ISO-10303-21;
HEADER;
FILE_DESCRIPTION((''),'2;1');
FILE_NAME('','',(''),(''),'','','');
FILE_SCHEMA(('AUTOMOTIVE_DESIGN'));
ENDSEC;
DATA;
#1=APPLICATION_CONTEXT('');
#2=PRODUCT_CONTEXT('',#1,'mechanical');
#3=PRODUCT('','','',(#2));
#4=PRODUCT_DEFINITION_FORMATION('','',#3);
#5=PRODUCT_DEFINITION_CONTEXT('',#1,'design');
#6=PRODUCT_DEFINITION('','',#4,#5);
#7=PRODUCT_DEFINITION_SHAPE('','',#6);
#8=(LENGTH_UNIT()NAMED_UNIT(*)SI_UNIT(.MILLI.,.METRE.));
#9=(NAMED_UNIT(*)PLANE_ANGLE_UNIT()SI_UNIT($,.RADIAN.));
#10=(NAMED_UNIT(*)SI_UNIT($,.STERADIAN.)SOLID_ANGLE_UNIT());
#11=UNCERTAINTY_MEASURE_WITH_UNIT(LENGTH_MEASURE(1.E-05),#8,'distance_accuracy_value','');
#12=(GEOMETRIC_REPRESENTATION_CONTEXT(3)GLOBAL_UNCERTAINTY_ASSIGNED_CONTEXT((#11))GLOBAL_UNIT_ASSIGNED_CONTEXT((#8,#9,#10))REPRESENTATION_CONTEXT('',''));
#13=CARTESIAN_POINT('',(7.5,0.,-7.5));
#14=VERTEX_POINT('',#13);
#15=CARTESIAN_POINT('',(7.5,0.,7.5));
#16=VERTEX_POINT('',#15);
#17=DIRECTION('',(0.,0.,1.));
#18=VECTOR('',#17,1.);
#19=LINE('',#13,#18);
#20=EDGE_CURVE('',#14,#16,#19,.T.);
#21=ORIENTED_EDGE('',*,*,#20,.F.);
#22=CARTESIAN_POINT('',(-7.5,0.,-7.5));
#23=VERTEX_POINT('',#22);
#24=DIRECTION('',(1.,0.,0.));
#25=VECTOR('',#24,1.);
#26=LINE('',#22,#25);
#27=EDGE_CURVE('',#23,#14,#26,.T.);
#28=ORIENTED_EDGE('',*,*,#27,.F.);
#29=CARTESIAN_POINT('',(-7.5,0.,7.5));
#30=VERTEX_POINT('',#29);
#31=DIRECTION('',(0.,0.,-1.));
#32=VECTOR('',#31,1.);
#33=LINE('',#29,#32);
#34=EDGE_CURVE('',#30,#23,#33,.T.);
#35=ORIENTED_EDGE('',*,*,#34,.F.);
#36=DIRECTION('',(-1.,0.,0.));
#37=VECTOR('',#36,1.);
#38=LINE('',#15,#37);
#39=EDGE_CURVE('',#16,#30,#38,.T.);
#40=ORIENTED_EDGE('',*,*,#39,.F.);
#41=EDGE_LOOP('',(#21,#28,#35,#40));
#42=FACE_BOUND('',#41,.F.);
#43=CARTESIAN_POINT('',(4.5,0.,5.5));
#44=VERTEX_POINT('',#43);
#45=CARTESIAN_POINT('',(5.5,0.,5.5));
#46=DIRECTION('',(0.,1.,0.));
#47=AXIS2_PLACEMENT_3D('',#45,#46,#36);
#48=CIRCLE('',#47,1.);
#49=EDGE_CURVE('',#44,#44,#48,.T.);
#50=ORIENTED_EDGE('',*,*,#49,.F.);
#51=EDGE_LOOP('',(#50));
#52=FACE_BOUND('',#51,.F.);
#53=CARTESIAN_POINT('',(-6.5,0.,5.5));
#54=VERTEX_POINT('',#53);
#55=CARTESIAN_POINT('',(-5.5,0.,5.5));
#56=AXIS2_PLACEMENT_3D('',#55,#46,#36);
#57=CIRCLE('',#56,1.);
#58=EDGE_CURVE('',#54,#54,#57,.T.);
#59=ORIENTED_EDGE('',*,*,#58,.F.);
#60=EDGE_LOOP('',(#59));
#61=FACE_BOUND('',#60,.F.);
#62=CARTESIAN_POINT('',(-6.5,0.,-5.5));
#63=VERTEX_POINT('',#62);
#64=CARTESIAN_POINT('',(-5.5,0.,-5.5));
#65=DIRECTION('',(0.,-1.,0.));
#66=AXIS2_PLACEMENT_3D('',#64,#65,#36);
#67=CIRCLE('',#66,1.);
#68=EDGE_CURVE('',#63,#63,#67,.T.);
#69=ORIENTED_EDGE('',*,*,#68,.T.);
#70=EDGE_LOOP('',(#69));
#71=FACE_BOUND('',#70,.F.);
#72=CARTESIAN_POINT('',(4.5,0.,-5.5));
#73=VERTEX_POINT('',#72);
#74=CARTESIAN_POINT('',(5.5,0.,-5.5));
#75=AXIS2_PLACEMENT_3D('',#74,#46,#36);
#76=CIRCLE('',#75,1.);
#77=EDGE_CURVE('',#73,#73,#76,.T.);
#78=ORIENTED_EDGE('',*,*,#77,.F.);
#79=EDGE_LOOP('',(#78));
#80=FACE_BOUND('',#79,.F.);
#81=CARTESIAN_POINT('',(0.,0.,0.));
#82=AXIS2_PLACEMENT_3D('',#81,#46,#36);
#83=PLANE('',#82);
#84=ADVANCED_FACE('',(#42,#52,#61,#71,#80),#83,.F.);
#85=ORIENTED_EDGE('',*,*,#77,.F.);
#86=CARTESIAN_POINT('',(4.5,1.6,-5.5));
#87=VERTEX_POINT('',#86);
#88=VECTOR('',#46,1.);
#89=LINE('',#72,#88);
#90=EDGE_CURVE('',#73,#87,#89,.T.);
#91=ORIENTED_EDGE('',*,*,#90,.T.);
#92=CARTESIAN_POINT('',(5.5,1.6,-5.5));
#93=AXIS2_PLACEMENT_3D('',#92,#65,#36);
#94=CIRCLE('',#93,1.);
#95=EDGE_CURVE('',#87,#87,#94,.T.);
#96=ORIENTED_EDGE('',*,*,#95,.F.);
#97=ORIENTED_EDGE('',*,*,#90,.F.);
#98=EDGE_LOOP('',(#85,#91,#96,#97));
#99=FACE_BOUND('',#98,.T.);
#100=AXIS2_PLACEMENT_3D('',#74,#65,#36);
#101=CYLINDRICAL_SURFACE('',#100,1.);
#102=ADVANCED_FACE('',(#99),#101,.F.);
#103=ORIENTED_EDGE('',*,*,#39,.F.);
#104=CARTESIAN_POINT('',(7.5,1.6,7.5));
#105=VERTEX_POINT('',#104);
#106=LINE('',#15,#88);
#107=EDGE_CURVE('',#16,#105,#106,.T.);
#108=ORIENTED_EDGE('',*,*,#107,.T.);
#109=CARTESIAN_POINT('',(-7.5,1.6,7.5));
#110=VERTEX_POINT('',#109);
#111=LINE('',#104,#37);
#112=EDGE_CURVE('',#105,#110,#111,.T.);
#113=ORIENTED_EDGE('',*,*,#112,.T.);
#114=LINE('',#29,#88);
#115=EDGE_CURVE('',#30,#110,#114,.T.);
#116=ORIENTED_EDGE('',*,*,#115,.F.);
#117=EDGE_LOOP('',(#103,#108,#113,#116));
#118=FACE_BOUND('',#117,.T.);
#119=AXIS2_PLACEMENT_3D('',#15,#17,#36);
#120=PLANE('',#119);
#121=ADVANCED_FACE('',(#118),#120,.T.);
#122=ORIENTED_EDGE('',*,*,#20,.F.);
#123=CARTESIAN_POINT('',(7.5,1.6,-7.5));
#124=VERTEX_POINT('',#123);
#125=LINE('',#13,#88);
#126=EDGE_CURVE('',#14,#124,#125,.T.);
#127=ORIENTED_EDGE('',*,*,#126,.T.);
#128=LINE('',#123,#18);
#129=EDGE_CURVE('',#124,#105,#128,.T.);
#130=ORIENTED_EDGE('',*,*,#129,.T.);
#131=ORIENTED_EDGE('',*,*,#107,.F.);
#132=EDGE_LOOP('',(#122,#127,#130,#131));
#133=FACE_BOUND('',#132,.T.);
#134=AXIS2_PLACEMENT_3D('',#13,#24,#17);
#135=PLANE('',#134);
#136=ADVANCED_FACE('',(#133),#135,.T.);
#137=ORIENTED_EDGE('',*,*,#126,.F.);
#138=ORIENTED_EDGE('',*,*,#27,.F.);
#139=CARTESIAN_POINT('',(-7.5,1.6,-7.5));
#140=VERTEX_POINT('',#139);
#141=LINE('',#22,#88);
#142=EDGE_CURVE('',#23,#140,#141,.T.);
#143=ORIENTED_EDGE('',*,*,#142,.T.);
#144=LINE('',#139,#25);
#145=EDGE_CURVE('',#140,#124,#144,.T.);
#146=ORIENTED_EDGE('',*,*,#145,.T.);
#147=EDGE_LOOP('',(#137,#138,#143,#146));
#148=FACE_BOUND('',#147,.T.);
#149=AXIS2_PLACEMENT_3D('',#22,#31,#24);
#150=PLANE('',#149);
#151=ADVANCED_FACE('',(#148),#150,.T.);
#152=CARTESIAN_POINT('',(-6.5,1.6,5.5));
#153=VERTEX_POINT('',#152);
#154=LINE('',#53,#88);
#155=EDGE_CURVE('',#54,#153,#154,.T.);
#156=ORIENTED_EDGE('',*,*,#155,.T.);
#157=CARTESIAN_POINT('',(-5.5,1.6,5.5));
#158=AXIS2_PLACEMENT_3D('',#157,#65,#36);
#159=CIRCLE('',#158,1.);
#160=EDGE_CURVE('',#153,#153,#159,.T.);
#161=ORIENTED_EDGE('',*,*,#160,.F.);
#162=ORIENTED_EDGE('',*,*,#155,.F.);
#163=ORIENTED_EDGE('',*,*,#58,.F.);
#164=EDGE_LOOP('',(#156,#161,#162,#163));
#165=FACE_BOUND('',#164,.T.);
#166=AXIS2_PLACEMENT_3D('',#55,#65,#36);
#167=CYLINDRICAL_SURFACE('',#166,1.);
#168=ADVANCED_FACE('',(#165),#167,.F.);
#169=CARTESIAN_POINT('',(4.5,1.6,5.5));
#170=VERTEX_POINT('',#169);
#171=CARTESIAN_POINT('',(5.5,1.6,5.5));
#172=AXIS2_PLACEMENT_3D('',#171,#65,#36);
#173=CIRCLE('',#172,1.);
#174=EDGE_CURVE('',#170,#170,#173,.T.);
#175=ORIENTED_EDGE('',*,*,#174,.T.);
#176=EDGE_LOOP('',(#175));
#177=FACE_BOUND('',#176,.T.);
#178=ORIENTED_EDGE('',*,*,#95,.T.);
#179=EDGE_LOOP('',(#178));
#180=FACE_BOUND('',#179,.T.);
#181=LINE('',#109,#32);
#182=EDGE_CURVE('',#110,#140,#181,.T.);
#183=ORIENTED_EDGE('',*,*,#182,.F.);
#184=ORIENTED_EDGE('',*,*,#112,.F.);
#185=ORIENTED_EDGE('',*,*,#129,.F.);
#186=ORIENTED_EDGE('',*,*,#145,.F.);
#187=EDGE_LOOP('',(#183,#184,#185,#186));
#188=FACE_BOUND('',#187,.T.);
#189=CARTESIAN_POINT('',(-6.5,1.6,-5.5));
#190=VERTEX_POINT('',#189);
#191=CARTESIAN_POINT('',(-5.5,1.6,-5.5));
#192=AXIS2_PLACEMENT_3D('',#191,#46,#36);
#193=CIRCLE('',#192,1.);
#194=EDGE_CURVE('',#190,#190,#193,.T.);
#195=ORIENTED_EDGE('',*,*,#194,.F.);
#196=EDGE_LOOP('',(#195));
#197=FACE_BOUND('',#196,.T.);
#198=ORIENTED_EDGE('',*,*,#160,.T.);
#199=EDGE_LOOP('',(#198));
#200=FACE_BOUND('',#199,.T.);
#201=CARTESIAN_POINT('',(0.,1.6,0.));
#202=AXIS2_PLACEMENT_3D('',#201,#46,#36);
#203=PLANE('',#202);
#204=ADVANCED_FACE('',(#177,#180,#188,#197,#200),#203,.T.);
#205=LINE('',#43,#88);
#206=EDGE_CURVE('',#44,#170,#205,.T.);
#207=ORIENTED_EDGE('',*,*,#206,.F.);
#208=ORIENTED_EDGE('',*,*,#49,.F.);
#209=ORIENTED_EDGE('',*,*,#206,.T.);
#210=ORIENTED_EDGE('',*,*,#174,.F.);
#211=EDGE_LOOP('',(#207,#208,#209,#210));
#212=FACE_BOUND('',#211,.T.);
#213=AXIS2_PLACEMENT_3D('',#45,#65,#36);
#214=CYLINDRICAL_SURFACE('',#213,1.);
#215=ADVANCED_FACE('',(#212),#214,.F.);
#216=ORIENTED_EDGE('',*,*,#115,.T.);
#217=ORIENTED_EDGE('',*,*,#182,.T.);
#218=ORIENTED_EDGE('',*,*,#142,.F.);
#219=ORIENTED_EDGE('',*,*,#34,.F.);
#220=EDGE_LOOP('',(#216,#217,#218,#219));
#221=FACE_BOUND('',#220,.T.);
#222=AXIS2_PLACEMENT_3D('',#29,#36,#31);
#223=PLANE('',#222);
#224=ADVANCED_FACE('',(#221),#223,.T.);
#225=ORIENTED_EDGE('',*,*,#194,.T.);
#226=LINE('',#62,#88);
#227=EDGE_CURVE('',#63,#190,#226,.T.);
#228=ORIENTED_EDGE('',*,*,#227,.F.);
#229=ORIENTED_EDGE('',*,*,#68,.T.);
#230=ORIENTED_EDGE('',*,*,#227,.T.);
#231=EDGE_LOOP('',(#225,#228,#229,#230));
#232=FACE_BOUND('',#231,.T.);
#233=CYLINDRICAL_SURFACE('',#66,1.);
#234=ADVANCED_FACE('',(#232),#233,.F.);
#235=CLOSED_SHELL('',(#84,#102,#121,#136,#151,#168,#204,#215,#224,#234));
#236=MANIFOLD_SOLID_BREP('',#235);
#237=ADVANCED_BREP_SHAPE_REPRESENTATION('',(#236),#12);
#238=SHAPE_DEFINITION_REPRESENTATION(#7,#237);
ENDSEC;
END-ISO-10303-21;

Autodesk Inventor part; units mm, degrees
ref_plane "YZ Plane" through (0, 0, 0) normal (1, 0, 0) x (0, 1, 0)
ref_plane "XZ Plane" through (0, 0, 0) normal (0, 1, 0) x (-1, 0, 0)
ref_plane "XY Plane" through (0, 0, 0) normal (0, 0, 1) x (1, 0, 0)
sketch "Sketch1" plane through (0, 0, 0) normal (0, 1, 0) x (-1, 0, 0)
  line L0 (5.5, 5.5) -> (5.5, -5.5)
  line L1 (5.5, -5.5) -> (-5.5, -5.5)
  line L2 (-5.5, -5.5) -> (-5.5, 5.5)
  line L3 (-5.5, 5.5) -> (5.5, 5.5)
  line L4 (5.5, 5.5) -> (-5.5, -5.5) construction
  line L5 (5.5, -5.5) -> (-5.5, 5.5) construction
  circle A0 centre (5.5, 5.5) radius 1
  circle A1 centre (5.5, -5.5) radius 1
  circle A2 centre (-5.5, 5.5) radius 1
  circle A3 centre (-5.5, -5.5) radius 1
  line L6 (7.5, 7.5) -> (7.5, -7.5)
  line L7 (7.5, -7.5) -> (-7.5, -7.5)
  line L8 (-7.5, -7.5) -> (-7.5, 7.5)
  line L9 (-7.5, 7.5) -> (7.5, 7.5)
  line L10 (7.5, 7.5) -> (-7.5, -7.5) construction
  line L11 (7.5, -7.5) -> (-7.5, 7.5) construction
  point P0 (0, 0)
  dimension "d0" = 11
  dimension "d1" = 11
  dimension "d2" = 2
  dimension "d3" = 2
  dimension "d4" = 2
  dimension "d5" = 2
  dimension "d6" = 15
  dimension "d7" = 15
extrude "Extrusion1" add sketch "Sketch1" along normal blind 1.6 contours L0 A1 L1 A3 L2 A2 L3 A0 | L6 L7 L8 L9
properties part number "encoder_pcb"
